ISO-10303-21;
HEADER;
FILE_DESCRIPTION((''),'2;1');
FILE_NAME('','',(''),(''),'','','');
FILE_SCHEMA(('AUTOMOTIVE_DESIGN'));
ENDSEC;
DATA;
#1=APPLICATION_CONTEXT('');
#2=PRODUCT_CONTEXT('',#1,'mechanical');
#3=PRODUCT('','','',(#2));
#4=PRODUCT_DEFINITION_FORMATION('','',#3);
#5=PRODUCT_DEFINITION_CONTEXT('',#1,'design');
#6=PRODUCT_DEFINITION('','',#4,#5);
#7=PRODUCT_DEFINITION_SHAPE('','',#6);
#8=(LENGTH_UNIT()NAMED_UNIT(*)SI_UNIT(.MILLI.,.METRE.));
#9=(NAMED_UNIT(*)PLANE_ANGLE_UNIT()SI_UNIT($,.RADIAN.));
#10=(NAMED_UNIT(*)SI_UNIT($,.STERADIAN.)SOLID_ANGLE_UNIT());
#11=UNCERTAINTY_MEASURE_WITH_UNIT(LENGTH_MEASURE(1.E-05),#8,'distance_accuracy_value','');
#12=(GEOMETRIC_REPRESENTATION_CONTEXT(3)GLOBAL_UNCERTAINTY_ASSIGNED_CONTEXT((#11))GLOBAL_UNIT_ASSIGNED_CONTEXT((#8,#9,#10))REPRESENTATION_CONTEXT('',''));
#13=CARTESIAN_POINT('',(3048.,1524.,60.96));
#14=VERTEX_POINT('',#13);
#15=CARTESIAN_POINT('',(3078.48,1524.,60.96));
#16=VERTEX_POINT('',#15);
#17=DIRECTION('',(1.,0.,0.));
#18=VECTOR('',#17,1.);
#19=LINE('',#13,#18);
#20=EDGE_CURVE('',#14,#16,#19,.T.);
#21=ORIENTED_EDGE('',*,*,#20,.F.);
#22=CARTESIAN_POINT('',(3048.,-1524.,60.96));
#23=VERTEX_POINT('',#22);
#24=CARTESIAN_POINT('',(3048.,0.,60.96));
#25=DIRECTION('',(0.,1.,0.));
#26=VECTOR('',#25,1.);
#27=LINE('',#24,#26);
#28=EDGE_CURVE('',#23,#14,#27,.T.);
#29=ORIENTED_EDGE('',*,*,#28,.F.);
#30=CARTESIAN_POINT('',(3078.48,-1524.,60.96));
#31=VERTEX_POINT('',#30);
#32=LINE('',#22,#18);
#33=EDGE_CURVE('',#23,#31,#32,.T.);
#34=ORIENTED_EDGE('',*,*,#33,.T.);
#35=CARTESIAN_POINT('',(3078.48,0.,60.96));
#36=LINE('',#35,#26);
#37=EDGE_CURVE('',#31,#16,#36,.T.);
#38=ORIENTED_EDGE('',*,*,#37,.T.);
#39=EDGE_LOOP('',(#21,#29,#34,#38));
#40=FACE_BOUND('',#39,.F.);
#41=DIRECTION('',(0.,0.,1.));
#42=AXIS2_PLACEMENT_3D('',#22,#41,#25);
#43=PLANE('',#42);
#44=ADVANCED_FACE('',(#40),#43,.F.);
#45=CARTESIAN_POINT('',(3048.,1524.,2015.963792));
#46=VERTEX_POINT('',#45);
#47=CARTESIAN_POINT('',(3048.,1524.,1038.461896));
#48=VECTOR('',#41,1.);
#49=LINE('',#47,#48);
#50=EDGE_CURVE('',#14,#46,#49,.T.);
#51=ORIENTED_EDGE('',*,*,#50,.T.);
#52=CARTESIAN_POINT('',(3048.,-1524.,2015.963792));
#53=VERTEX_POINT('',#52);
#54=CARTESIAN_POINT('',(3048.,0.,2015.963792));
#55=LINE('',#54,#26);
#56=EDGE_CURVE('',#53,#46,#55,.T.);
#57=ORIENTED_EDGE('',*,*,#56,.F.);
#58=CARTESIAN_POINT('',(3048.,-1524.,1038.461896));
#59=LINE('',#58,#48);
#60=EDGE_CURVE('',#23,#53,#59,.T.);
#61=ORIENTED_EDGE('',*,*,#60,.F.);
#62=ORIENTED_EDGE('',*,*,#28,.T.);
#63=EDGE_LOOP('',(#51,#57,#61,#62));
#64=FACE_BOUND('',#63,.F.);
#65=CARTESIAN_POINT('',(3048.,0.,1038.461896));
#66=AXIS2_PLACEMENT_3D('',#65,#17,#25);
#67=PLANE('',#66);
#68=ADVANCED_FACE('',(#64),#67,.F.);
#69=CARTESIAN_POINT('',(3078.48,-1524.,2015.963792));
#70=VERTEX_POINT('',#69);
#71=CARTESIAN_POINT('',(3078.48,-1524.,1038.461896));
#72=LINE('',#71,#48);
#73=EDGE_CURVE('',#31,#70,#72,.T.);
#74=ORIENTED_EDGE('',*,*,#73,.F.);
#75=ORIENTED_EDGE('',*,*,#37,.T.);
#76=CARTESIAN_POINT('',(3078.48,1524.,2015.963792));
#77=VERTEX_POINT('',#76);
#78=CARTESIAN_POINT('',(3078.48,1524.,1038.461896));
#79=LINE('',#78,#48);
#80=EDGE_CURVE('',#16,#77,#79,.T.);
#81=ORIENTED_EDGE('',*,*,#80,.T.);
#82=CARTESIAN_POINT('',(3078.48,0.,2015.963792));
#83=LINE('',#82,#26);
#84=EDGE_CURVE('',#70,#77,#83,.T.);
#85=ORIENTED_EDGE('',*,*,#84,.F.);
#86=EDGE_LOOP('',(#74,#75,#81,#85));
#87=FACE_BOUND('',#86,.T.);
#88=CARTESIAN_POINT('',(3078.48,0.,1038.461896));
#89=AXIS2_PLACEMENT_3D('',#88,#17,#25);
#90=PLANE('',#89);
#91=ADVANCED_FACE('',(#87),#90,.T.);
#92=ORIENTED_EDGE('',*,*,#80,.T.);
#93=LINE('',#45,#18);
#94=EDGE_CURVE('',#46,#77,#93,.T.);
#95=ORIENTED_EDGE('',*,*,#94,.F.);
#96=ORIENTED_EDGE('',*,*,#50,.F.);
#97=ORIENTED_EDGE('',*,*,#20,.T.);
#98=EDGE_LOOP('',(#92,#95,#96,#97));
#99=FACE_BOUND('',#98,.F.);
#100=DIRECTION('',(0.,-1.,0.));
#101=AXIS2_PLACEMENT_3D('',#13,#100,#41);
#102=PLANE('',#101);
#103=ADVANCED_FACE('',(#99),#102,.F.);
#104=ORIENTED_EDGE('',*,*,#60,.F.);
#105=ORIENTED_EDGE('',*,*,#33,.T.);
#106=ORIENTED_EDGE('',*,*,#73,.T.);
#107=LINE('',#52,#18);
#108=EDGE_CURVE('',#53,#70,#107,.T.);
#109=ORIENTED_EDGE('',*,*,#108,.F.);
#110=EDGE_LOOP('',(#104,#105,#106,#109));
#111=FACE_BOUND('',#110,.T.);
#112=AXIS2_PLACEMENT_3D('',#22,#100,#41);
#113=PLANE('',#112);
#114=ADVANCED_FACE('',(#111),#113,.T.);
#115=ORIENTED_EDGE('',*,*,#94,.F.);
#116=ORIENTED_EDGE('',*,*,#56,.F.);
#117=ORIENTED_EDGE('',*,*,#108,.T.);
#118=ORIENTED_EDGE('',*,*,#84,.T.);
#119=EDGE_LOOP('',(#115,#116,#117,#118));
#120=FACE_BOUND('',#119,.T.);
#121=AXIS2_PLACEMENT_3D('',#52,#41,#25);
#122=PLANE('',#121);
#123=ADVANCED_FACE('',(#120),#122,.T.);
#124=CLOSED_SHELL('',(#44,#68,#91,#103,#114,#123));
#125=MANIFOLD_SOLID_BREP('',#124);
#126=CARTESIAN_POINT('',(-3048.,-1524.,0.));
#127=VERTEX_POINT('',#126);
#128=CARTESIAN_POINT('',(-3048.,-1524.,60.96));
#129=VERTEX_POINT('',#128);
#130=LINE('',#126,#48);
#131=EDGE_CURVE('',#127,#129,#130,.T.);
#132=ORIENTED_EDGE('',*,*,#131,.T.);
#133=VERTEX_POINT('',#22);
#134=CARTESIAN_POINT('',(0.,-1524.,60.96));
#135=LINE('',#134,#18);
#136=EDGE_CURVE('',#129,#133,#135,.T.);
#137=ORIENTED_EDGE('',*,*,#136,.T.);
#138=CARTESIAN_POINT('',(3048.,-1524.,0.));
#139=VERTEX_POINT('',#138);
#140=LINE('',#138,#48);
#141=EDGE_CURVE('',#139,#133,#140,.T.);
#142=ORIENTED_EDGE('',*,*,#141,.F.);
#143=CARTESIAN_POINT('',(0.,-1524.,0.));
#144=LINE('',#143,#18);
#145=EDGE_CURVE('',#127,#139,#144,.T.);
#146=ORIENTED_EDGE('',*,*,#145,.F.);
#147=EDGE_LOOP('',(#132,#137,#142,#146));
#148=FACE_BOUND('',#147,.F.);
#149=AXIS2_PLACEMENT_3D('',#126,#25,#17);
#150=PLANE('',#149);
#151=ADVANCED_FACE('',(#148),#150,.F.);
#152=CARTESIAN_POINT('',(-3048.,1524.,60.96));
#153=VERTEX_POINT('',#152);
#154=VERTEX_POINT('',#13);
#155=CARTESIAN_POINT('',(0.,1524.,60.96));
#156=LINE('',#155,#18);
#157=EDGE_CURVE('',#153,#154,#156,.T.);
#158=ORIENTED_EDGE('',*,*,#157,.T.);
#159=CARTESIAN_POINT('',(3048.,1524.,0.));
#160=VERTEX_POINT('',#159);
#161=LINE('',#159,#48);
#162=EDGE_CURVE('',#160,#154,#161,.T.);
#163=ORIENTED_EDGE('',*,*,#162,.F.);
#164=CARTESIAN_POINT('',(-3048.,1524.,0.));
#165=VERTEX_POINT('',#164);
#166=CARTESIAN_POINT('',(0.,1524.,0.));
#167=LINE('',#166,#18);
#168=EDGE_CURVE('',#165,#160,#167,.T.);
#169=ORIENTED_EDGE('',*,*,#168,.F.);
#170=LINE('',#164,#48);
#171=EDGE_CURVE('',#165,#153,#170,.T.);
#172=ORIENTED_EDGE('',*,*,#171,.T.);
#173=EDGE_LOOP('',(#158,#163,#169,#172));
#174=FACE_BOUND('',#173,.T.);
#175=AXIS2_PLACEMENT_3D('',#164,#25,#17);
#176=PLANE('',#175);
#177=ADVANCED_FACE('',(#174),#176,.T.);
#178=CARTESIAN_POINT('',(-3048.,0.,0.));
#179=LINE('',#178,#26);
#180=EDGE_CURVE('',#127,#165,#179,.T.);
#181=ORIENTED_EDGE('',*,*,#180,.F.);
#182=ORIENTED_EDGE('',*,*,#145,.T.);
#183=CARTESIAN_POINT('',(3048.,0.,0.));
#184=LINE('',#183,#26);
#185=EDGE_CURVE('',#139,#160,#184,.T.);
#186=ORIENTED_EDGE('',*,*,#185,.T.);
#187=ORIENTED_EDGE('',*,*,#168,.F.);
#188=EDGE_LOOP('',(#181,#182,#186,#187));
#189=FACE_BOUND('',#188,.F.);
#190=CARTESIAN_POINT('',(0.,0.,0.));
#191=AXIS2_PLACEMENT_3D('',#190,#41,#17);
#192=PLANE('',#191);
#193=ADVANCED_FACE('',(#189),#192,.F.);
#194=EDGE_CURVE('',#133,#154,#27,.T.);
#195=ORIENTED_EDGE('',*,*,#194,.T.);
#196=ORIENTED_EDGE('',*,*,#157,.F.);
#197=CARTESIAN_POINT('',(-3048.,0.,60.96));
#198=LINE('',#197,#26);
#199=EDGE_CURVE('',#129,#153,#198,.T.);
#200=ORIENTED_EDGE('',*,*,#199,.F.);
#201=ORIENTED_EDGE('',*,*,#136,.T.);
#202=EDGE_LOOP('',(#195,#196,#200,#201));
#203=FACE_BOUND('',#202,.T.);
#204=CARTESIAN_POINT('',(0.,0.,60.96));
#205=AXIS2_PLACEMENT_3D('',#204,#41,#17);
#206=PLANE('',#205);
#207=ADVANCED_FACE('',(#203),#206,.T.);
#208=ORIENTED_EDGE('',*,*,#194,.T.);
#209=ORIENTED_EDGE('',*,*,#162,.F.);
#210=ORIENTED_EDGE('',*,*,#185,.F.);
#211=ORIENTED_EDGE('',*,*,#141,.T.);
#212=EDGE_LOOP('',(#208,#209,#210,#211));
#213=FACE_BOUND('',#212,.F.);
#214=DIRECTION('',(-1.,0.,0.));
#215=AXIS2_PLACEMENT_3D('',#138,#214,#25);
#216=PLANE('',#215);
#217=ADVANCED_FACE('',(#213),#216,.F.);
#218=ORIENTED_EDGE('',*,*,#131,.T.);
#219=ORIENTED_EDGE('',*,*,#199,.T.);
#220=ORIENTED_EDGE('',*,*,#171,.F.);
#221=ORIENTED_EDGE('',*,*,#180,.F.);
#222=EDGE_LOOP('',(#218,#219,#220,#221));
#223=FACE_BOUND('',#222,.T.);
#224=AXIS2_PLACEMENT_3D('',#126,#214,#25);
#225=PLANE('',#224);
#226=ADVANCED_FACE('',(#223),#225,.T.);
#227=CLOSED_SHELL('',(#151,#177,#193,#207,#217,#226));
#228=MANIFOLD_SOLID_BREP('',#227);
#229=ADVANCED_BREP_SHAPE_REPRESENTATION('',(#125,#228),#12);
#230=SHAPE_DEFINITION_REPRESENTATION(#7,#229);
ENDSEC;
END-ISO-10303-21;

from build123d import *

# Parameters (mm, degrees)
F0_W     = 6096
F0_H     = 3048
F1_DEPTH = 60.96
F2_W     = 3048
F2_H     = 1955.003793
F3_DEPTH = 30.48


with BuildPart() as f1:
    # F0 (on Top) → F1 (new body)
    with BuildSketch(Plane.XY):
        Rectangle(F0_W, F0_H)
    extrude(amount=F1_DEPTH)


with BuildPart() as f3:
    # F2 (on face) → F3 (new body)
    with BuildSketch(Plane.YZ.offset(3048)):
        with Locations((0, 1038.461896)):
            Rectangle(F2_W, F2_H)
    extrude(amount=F3_DEPTH)


solid = Compound([f1.part, f3.part])
